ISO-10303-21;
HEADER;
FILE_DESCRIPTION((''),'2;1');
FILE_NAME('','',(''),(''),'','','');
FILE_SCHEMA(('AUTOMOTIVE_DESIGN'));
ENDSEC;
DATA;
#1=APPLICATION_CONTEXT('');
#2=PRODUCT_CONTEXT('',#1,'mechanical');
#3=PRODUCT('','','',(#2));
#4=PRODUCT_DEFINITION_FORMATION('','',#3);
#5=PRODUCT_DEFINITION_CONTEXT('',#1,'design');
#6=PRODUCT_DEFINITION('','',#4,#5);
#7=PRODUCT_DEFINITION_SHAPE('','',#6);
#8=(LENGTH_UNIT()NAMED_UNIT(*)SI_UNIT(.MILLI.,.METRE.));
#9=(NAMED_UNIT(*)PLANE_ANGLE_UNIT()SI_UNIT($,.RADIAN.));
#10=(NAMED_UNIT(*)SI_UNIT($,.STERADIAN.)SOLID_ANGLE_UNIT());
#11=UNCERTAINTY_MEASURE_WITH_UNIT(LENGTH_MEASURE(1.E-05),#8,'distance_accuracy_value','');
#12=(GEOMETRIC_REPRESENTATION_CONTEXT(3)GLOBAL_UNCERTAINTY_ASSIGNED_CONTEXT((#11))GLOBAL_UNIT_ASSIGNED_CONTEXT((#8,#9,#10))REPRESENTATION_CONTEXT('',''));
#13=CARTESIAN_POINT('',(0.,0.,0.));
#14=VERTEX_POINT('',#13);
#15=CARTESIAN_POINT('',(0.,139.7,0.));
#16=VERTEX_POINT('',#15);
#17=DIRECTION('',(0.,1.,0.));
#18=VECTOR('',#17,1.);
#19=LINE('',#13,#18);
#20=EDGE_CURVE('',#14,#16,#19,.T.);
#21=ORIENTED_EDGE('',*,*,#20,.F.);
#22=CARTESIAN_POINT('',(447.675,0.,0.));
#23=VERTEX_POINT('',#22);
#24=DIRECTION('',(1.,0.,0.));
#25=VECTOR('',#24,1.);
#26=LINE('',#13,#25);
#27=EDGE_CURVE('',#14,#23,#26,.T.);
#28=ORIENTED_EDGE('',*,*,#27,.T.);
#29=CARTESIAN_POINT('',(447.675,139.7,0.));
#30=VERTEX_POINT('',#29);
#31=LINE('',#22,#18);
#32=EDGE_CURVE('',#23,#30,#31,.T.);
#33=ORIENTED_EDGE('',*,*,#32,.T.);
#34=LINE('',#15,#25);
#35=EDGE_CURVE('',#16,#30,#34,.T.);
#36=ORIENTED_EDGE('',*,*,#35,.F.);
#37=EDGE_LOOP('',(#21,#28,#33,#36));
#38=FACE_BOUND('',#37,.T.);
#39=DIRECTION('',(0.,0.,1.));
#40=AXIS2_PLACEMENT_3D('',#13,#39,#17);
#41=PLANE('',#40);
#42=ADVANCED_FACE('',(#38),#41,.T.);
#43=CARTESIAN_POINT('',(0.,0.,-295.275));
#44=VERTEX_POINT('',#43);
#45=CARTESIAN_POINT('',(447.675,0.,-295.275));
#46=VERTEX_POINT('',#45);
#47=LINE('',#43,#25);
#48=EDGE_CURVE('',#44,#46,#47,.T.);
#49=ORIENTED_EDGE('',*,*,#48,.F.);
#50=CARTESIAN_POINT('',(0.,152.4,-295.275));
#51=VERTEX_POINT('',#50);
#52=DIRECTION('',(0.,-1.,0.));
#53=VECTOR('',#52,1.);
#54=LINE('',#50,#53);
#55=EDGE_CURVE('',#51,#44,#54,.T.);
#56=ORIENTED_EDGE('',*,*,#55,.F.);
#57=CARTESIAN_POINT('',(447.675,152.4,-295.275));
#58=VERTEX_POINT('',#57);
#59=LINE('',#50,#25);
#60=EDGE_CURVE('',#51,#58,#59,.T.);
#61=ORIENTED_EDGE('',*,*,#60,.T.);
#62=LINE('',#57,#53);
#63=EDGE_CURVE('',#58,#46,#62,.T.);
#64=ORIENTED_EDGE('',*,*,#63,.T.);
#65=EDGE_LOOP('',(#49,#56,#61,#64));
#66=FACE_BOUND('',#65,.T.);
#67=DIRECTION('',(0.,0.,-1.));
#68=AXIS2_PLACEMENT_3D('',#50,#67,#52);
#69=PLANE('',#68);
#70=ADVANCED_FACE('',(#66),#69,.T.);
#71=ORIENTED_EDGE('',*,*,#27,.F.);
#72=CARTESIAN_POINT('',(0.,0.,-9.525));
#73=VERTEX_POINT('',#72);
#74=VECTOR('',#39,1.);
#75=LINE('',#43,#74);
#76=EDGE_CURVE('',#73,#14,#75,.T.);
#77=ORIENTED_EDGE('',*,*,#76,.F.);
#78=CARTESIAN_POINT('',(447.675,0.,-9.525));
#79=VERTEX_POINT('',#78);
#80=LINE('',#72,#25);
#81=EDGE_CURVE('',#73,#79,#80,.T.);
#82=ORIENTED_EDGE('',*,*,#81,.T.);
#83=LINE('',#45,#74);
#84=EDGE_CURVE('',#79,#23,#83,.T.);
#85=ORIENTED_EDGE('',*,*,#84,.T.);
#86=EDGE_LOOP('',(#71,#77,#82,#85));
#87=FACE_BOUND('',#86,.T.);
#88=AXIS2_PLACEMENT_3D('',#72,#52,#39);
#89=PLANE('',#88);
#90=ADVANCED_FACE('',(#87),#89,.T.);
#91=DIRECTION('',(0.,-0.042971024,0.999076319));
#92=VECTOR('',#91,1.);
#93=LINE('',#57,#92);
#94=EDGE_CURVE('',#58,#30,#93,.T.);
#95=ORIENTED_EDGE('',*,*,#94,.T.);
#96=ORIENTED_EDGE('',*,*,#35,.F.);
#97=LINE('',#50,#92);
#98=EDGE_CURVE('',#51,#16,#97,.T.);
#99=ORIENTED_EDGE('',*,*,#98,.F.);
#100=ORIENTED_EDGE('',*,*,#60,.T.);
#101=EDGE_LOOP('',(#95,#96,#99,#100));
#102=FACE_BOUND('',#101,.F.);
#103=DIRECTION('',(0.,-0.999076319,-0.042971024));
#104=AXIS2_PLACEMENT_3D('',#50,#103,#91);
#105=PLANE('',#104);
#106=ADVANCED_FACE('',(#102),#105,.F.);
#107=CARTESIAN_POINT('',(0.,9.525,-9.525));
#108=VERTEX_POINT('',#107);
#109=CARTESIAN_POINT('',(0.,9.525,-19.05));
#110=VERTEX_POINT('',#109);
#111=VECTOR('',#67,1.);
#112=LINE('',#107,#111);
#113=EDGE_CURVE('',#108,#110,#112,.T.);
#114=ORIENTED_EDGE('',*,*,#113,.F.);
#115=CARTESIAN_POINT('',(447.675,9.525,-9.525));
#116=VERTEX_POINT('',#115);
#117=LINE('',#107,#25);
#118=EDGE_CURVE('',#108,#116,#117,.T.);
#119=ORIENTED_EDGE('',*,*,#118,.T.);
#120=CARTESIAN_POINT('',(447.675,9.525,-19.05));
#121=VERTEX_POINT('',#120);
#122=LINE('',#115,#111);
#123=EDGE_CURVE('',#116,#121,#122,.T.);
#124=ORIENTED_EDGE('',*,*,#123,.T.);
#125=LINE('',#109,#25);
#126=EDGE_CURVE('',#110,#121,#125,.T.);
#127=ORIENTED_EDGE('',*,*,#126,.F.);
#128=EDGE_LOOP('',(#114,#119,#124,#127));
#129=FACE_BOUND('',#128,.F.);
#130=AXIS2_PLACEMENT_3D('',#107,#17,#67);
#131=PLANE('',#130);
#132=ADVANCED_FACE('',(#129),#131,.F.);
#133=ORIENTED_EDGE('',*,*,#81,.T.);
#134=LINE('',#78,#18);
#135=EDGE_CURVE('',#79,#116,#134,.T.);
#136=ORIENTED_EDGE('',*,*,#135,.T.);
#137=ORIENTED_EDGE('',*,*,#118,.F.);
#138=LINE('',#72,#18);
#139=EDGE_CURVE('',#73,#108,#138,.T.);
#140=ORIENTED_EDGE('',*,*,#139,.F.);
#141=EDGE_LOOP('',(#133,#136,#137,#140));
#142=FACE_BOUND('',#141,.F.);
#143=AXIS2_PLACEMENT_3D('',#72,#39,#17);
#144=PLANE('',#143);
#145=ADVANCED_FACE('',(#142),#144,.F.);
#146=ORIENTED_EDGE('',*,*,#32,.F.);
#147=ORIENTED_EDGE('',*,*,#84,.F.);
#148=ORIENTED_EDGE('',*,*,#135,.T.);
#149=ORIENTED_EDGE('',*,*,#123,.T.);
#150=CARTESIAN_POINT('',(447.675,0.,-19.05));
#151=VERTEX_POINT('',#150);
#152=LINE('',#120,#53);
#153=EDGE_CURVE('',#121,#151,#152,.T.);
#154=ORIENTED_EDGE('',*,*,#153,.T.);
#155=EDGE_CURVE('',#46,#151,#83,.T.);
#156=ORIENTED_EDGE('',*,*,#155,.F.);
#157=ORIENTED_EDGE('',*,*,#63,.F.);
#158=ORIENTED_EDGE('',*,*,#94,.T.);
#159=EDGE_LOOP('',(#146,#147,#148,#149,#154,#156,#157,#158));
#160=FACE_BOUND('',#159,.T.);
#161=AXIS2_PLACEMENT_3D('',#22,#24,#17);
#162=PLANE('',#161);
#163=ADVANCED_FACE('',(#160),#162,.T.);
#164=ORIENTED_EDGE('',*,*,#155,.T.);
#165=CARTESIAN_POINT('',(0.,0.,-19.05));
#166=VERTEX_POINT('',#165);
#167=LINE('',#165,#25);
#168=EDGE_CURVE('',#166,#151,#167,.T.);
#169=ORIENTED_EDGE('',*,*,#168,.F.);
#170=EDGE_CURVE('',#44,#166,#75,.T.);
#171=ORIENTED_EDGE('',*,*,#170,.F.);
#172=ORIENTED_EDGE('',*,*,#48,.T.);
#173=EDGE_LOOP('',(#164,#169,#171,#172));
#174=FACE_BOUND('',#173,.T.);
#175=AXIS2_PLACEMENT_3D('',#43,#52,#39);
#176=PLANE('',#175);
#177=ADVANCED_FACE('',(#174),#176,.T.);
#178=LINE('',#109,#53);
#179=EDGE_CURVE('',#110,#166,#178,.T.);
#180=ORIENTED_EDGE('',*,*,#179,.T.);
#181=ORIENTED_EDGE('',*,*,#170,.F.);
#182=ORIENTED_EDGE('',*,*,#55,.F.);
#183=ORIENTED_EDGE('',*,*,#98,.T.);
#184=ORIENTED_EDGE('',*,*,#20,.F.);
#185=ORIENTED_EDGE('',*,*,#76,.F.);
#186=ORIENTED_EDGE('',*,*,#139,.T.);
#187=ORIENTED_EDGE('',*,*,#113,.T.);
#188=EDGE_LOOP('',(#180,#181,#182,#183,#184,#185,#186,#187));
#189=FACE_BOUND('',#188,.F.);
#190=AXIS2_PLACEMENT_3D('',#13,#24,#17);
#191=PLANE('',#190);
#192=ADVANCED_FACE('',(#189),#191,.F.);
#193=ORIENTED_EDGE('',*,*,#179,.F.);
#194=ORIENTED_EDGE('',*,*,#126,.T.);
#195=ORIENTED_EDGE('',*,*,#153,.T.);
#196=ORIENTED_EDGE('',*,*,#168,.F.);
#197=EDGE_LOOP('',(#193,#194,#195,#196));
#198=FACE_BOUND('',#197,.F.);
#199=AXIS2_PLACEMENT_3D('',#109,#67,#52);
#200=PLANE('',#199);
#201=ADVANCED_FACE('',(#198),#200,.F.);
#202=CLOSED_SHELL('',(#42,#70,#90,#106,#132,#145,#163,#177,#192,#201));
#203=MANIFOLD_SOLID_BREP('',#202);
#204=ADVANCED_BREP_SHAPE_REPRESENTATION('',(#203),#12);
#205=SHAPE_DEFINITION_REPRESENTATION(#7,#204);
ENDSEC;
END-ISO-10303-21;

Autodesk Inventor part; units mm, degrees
ref_plane "YZ Plane" through (0, 0, 0) normal (1, 0, 0) x (0, 1, 0)
ref_plane "XZ Plane" through (0, 0, 0) normal (0, 1, 0) x (-1, 0, 0)
ref_plane "XY Plane" through (0, 0, 0) normal (0, 0, 1) x (1, 0, 0)
sketch "Sketch1" plane through (0, 0, 0) normal (1, 0, 0) x (0, 1, 0)
  line L0 (0, 0) -> (152.4, 0)
  line L1 (152.4, 0) -> (152.4, -295.275)
  line L2 (152.4, -295.275) -> (0, -295.275)
  line L3 (0, -295.275) -> (0, 0)
  line L4 (152.4, -295.275) -> (139.7, 0)
  line L5 (0, -9.525) -> (9.525, -9.525)
  line L6 (9.525, -9.525) -> (9.525, -19.05)
  line L7 (9.525, -19.05) -> (0, -19.05)
  line L8 (0, -19.05) -> (0, -9.525)
  point P0 (0, -19.05)
  dimension "d0" = 152.4
  dimension "d1" = 295.275
  dimension "d2" = 12.7
  dimension "d3" = 9.525
  dimension "d4" = 9.525
  dimension "d5" = 9.525
extrude "Extrusion1" add sketch "Sketch1" along normal blind 447.675 contours L0 L4 L2 L3 L7 L6 L5
equation "\"d5\" = d3"
